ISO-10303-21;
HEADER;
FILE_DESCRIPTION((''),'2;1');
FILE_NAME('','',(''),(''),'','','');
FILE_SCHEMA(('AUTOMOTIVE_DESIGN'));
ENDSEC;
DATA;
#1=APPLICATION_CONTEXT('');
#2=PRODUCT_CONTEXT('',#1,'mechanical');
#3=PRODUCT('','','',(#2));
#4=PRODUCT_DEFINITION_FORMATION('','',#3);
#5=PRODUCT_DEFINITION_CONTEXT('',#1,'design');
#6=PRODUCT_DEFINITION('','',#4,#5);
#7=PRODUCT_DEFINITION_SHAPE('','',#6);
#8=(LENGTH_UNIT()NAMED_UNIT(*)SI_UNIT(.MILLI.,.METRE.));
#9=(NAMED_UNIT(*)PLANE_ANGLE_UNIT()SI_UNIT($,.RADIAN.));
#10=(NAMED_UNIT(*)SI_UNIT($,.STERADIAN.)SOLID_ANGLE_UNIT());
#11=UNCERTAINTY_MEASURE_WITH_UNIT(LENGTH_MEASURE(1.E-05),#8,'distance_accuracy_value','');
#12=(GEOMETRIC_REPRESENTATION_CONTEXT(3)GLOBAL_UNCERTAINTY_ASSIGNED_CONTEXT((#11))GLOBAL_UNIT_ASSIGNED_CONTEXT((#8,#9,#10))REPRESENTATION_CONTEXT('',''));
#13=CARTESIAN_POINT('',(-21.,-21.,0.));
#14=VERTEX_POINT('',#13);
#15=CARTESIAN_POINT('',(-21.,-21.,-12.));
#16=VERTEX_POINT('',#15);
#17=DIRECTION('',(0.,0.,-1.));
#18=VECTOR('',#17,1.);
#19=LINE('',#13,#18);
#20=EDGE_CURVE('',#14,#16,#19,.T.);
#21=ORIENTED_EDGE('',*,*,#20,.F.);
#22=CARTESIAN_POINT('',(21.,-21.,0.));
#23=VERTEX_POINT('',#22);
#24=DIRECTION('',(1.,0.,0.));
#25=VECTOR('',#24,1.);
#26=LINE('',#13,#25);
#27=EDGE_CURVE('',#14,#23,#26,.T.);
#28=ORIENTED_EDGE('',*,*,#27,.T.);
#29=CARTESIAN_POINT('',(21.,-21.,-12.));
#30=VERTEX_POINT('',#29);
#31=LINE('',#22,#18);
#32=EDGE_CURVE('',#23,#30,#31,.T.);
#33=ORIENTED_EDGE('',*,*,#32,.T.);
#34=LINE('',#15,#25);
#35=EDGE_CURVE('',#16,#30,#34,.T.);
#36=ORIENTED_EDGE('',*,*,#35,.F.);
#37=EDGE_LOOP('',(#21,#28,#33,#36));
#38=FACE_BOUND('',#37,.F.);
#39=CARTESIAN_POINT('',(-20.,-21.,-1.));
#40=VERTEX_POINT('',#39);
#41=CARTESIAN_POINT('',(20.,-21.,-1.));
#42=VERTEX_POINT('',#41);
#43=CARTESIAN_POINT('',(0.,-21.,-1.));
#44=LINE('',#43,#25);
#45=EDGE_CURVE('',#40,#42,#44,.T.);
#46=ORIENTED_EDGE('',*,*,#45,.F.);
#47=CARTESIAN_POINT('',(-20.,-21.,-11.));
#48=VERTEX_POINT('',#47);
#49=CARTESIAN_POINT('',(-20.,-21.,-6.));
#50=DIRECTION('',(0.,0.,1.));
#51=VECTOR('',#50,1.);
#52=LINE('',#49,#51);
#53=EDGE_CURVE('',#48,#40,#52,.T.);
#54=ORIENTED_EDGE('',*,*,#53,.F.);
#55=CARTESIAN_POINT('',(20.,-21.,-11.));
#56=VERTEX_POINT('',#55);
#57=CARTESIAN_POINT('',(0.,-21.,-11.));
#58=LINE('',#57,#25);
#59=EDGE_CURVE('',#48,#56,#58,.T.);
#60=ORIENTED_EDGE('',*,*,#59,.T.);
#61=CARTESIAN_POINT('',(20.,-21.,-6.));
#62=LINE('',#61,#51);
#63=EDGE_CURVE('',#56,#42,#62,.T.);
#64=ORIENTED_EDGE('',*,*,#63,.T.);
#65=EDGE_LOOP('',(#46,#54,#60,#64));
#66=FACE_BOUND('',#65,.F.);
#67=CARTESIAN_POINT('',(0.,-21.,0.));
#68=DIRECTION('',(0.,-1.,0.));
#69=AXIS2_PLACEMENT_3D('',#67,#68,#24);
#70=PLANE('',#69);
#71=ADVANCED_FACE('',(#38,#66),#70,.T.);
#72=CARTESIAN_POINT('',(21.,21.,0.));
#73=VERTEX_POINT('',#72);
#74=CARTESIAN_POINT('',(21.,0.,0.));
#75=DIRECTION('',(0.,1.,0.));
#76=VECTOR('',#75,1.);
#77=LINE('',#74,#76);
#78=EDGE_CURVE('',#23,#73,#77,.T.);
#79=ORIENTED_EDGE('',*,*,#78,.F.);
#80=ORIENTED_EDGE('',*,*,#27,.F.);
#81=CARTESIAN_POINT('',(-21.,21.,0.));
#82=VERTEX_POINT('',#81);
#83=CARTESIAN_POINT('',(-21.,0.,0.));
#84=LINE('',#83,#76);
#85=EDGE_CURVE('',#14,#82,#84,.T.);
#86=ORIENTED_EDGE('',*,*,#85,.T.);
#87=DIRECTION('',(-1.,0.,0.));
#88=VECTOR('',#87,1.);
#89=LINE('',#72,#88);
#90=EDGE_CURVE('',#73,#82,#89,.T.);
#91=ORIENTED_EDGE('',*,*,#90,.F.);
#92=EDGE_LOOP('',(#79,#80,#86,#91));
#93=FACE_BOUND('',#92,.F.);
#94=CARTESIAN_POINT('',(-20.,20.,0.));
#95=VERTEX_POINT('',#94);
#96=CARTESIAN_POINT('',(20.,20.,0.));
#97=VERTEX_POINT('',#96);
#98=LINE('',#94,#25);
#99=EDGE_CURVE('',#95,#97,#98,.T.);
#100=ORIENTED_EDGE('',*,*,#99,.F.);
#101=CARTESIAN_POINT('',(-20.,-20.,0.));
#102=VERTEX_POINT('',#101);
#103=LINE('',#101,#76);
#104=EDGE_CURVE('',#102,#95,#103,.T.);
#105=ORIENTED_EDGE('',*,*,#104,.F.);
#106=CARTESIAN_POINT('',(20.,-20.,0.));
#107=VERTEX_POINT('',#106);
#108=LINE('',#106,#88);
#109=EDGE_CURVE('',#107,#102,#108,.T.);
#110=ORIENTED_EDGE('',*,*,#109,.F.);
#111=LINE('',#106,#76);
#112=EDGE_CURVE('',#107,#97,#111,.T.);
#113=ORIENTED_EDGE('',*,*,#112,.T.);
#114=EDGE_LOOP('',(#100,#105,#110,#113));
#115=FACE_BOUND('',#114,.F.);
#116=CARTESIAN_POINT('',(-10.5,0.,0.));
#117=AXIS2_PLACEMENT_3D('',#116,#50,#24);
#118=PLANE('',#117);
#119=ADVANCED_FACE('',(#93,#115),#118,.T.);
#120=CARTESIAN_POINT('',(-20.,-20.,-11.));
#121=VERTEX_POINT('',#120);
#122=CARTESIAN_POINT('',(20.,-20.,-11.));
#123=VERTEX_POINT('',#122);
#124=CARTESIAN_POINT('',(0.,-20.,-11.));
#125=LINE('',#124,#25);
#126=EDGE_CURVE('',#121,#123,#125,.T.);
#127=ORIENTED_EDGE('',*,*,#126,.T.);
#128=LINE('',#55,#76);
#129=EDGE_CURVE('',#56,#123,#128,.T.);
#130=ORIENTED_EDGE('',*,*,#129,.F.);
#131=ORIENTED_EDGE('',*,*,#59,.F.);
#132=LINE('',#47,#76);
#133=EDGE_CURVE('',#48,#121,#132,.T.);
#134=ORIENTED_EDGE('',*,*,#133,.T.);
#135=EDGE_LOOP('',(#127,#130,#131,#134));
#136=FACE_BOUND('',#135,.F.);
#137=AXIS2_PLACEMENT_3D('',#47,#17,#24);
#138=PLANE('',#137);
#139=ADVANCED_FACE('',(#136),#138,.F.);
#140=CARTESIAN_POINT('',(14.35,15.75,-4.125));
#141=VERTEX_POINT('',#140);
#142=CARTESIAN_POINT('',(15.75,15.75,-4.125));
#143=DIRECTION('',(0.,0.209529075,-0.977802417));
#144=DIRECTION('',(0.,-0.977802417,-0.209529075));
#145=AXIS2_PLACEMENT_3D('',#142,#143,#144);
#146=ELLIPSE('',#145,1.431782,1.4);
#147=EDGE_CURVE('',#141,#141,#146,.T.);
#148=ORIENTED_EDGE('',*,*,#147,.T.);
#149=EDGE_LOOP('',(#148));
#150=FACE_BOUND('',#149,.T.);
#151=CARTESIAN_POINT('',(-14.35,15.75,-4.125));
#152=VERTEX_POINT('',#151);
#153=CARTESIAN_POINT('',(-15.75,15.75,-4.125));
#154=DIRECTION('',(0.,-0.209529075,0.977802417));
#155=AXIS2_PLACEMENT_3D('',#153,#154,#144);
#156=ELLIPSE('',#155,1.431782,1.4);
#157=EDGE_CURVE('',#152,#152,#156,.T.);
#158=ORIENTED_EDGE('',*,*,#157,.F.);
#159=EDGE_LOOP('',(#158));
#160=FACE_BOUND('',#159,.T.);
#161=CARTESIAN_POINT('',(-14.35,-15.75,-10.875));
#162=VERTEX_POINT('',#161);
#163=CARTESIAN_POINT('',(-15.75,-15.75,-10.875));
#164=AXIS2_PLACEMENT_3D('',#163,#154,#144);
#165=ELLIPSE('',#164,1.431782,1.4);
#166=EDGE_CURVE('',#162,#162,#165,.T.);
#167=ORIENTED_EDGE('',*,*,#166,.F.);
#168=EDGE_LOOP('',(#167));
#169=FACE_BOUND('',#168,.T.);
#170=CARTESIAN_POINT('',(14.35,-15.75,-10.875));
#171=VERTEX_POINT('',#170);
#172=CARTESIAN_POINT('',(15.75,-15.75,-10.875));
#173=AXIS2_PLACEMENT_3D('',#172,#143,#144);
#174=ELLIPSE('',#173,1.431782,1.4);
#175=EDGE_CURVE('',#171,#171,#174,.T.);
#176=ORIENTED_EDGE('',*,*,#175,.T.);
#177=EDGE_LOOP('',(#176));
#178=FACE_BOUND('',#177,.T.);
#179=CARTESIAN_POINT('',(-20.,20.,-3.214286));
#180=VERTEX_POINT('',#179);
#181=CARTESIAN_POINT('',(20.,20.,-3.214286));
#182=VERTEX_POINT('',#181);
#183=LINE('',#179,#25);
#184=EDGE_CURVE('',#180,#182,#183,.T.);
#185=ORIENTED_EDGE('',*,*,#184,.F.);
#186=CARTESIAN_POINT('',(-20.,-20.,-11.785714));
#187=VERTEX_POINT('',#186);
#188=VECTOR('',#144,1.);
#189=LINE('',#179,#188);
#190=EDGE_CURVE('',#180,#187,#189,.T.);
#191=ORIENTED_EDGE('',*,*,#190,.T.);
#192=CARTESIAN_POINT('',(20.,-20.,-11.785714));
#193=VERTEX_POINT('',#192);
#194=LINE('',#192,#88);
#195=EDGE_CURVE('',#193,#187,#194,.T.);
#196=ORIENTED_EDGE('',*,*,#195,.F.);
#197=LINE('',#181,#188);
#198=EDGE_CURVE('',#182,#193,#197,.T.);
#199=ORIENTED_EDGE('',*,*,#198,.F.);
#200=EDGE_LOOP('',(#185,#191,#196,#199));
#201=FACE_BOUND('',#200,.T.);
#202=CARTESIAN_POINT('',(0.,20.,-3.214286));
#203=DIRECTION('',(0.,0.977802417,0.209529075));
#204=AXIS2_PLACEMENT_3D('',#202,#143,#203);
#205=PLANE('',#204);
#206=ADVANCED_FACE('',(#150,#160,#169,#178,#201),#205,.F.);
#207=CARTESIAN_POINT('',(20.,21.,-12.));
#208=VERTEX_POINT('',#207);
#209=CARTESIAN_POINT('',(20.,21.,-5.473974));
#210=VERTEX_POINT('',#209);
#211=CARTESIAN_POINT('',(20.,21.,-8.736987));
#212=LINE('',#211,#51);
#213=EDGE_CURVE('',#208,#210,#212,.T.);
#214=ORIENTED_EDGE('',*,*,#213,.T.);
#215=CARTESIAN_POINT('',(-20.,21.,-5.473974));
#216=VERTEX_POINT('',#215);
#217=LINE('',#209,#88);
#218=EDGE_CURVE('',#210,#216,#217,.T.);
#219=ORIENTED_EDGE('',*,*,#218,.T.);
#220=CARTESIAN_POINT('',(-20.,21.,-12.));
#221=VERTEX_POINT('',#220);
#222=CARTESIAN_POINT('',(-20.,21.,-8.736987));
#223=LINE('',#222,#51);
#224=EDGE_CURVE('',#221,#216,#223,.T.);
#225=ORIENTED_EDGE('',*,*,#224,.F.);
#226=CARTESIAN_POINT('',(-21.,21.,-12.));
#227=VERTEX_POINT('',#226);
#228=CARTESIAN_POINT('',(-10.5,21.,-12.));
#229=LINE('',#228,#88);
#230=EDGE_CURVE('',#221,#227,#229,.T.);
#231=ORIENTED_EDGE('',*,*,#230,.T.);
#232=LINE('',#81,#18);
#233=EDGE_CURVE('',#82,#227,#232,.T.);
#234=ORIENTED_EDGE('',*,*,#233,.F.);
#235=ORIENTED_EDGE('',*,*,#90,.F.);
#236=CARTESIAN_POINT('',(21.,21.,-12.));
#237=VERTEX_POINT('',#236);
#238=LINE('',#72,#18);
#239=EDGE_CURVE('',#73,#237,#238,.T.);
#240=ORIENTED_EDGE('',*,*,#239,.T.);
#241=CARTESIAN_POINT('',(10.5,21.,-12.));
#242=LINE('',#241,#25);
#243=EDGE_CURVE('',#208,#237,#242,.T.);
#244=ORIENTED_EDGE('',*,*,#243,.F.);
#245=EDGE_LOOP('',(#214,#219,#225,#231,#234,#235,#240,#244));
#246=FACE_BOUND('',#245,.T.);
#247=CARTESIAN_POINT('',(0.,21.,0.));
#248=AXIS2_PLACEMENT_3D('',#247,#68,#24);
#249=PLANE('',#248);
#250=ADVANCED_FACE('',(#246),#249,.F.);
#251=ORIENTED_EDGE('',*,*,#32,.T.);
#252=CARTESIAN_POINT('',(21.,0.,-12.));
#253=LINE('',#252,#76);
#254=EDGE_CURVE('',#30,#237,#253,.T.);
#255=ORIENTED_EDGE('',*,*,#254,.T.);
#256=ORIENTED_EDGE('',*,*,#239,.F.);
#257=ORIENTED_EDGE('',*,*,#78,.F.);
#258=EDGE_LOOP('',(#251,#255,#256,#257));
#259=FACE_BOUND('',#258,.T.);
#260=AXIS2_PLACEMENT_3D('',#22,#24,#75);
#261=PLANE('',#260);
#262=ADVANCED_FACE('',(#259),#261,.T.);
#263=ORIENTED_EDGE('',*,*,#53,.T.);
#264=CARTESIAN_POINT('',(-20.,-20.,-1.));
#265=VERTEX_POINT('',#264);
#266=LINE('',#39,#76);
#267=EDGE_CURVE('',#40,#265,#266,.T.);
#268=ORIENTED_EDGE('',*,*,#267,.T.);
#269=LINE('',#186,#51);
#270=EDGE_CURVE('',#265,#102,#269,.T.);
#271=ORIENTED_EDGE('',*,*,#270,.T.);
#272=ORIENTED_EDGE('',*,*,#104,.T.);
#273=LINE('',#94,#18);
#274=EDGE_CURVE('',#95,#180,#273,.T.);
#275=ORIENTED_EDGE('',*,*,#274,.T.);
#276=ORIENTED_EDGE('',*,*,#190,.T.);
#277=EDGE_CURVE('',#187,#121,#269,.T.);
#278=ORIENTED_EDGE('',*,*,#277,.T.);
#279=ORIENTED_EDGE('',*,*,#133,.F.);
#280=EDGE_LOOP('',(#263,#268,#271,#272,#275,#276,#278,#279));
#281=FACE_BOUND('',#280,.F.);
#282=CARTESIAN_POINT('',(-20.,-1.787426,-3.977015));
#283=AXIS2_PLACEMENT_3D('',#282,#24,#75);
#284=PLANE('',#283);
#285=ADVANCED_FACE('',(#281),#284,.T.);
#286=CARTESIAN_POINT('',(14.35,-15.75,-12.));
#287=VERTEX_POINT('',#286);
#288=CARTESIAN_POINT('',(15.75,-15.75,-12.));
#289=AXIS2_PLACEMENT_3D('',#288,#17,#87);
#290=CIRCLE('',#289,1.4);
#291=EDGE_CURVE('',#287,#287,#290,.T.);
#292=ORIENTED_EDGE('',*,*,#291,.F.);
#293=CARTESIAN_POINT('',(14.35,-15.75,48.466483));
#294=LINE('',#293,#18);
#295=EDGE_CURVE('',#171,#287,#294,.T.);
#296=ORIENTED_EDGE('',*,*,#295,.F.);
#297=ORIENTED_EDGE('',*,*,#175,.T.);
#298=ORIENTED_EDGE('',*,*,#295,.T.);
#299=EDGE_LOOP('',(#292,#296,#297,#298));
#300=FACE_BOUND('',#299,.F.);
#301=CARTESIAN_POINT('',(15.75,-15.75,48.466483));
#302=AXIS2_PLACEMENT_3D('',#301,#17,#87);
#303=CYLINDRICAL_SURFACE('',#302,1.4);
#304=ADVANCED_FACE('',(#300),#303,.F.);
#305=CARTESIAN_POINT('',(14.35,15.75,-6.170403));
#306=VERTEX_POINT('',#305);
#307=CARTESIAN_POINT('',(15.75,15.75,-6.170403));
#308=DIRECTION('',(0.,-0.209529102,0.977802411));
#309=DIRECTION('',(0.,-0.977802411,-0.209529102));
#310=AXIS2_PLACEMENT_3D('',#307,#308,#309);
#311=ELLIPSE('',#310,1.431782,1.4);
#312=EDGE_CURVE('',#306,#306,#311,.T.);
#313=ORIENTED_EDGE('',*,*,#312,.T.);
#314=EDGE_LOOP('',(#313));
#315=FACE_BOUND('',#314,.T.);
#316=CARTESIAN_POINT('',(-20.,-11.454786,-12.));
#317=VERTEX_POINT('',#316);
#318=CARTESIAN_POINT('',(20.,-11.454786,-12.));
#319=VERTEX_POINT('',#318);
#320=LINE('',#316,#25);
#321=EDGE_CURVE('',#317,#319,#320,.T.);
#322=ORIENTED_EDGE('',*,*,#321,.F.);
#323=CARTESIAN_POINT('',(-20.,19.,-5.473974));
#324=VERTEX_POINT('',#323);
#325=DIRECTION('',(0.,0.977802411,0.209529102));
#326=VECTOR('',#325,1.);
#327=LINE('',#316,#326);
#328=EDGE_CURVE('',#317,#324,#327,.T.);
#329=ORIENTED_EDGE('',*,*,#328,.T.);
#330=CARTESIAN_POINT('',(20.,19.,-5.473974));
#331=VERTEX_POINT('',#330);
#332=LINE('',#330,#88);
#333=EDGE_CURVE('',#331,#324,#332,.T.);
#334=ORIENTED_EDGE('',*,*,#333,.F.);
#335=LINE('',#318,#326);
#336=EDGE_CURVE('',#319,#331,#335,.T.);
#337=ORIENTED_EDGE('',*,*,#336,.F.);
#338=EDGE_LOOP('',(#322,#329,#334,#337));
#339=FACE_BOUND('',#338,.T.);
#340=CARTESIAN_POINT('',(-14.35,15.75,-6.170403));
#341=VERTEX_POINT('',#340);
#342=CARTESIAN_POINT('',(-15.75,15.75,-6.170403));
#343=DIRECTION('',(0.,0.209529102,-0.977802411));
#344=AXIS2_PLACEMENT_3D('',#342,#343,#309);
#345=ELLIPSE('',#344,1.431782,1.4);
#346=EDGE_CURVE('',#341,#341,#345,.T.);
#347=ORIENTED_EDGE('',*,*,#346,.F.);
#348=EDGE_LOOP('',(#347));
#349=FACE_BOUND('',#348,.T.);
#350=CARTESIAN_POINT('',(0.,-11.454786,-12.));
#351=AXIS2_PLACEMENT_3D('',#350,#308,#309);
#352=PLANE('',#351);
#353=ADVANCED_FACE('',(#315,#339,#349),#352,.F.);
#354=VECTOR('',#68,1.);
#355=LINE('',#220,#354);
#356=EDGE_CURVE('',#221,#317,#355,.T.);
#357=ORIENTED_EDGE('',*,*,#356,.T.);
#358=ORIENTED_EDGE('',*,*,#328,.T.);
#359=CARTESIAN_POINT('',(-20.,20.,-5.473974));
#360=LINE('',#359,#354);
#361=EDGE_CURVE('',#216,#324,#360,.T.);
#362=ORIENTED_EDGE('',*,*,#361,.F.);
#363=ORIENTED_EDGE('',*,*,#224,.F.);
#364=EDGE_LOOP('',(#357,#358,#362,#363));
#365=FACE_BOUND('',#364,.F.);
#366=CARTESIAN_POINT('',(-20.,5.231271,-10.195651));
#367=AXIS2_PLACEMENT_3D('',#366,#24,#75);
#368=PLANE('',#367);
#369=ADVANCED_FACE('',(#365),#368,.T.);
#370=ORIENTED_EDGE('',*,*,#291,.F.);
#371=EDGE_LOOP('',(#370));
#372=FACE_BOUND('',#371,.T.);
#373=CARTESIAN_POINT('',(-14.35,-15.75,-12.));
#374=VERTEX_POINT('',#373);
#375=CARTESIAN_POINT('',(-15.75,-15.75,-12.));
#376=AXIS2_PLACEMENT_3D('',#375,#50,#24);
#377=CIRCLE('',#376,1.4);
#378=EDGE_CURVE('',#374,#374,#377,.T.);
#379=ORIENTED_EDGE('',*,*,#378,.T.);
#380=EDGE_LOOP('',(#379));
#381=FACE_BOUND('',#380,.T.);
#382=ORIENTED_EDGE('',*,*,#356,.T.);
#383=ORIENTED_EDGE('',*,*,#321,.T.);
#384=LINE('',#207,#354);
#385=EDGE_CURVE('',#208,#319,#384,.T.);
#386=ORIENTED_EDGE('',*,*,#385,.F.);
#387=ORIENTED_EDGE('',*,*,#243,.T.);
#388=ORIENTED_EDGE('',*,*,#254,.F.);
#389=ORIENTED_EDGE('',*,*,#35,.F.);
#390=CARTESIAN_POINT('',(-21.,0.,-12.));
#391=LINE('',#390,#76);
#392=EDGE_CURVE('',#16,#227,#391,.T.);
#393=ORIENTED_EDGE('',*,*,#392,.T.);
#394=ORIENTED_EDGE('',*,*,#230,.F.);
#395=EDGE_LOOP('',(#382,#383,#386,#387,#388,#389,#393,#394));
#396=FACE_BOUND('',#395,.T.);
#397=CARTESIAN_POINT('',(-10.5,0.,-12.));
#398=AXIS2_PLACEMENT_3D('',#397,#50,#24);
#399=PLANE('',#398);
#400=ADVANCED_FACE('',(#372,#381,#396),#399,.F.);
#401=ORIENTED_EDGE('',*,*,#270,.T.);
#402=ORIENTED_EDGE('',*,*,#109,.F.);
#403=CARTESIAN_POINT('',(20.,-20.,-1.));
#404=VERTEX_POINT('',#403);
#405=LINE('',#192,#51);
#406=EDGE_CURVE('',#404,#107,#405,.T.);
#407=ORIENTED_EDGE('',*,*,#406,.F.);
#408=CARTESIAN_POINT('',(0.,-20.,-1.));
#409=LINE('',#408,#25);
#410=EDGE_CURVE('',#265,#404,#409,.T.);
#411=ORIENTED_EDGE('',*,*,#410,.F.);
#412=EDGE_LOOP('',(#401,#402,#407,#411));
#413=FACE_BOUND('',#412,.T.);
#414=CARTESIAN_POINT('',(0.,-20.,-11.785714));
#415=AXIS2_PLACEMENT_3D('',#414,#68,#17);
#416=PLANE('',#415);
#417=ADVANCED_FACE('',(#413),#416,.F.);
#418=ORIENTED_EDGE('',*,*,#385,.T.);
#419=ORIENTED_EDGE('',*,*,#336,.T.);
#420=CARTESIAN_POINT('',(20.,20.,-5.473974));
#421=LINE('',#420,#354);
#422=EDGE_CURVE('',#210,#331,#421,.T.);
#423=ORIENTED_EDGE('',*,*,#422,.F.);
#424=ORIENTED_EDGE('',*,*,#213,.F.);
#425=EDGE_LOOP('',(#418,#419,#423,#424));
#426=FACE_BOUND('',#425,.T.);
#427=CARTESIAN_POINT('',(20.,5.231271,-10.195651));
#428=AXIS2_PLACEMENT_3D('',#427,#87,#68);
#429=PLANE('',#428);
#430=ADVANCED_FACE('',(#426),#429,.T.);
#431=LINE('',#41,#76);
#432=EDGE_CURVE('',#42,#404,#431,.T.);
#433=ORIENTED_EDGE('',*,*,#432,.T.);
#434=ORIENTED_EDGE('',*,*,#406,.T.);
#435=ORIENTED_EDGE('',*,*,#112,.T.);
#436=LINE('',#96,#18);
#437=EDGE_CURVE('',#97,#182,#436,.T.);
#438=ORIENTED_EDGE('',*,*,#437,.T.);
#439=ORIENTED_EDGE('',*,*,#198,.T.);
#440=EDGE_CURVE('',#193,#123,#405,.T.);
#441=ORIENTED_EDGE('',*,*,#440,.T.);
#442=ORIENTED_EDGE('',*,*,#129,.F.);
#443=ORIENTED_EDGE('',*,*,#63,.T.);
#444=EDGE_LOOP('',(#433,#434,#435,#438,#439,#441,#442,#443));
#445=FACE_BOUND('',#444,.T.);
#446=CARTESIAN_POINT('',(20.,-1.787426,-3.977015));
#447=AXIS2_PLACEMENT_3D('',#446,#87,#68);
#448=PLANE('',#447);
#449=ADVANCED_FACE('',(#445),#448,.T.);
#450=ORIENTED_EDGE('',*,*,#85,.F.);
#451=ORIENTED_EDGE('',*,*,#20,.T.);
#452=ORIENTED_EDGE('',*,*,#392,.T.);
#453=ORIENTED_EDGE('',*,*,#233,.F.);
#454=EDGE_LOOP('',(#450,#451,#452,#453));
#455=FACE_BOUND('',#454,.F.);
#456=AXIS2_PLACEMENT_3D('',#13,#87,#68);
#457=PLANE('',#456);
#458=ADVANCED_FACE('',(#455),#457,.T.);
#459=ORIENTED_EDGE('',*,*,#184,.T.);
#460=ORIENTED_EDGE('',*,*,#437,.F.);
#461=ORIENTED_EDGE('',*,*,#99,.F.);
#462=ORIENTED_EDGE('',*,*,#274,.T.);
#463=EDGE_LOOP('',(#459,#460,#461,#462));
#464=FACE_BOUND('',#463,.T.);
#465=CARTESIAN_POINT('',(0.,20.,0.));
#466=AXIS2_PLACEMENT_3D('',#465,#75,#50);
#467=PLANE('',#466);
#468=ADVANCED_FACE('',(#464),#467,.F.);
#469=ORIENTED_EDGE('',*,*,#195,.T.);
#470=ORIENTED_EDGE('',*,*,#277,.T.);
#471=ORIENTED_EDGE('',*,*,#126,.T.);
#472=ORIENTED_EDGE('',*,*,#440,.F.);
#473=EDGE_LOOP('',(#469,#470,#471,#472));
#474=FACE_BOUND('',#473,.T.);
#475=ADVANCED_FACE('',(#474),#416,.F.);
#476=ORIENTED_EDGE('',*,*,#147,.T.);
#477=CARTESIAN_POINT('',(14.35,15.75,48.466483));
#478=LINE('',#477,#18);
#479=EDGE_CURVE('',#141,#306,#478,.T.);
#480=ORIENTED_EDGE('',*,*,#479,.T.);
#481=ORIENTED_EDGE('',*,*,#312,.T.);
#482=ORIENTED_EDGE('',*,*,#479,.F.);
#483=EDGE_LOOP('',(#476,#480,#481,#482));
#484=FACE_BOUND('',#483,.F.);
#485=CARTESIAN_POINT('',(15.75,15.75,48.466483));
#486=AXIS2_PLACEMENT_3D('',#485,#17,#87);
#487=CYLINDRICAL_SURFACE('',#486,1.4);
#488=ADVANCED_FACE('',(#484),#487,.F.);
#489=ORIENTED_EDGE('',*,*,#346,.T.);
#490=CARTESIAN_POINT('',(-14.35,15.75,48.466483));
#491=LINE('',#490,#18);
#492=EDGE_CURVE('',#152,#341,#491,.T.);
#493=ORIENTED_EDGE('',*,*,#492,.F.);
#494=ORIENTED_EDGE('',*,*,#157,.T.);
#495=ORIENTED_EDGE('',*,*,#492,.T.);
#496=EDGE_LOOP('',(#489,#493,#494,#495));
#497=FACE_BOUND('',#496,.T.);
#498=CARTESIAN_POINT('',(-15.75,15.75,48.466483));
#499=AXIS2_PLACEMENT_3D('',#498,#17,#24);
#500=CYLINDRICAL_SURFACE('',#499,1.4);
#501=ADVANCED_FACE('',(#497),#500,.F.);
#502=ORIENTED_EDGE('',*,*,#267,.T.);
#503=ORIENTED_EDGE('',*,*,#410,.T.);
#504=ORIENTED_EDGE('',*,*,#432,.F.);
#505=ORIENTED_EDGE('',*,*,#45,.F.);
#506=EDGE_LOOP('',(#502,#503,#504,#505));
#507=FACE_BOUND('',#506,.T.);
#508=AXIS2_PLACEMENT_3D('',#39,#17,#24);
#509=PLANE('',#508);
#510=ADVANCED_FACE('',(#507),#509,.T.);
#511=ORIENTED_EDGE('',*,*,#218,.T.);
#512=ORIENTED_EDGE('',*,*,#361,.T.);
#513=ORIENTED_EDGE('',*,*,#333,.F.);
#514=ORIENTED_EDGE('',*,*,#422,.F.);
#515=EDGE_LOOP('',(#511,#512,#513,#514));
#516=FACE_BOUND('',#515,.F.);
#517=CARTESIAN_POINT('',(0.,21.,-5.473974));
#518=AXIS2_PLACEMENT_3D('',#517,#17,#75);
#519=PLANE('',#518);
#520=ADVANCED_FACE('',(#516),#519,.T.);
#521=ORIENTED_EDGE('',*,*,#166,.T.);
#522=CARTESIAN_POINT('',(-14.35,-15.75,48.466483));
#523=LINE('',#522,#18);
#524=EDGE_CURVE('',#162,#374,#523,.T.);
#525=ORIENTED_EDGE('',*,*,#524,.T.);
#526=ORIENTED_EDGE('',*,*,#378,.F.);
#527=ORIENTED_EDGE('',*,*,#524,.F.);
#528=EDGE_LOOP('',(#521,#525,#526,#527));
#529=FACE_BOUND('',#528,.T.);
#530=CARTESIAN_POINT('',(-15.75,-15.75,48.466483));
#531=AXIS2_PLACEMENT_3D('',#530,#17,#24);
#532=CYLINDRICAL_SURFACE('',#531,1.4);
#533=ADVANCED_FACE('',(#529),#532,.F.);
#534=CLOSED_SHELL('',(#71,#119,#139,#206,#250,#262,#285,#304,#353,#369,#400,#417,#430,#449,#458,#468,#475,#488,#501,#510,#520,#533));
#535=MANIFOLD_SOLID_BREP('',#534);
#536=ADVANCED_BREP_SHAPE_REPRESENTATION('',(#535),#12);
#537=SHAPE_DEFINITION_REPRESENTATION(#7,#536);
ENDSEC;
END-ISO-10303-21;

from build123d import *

# Parameters (mm, degrees)
F0_W     = 21
F0_H     = 42
F1_DEPTH = 12
F2_D     = 2.8
F3_W     = 2
F3_H     = 6.526026
F4_DEPTH = 20
F6_W     = 40
F6_H     = 10
F7_DEPTH = 1


with BuildPart() as f1:
    # F0 (on Top) → F1 (new body)
    with BuildSketch(Plane.XY):
        with Locations((10.5, 0)):
            Rectangle(F0_W, F0_H)
    extrude(amount=-F1_DEPTH)

    # F2 (through all)
    with Locations(Plane.XY):
        with Locations((15.75, 15.75), (15.75, -15.75)):
            Hole(F2_D / 2)

    # F3 (on face) → F4 (cut)
    with BuildSketch(Plane(origin=(0, 0, 0), x_dir=(0, -1, 0), z_dir=(-1, 0, 0))):
        Polygon((-20, 0), (-20, -3.214286), (20, -11.785714), (20, 0), align=None)
        Polygon((11.454786, -12), (-19, -5.473974), (-19, -12), align=None)
        with Locations((-20, -8.736987)):
            Rectangle(F3_W, F3_H)
    extrude(amount=-F4_DEPTH, mode=Mode.SUBTRACT)

    # F5: F1 across face


with BuildPart() as f1_1:
    add(f1.part)
    add(f1.part.mirror(Plane(origin=(0, 0.027427, -7.493387), x_dir=(0, -1, 0), z_dir=(-1, 0, 0))))

    # F6 (on face) → F7 (cut)
    with BuildSketch(Plane.XZ.offset(21)):
        with Locations((0, -6)):
            Rectangle(F6_W, F6_H)
    extrude(amount=-F7_DEPTH, mode=Mode.SUBTRACT)


solid = f1_1.part
